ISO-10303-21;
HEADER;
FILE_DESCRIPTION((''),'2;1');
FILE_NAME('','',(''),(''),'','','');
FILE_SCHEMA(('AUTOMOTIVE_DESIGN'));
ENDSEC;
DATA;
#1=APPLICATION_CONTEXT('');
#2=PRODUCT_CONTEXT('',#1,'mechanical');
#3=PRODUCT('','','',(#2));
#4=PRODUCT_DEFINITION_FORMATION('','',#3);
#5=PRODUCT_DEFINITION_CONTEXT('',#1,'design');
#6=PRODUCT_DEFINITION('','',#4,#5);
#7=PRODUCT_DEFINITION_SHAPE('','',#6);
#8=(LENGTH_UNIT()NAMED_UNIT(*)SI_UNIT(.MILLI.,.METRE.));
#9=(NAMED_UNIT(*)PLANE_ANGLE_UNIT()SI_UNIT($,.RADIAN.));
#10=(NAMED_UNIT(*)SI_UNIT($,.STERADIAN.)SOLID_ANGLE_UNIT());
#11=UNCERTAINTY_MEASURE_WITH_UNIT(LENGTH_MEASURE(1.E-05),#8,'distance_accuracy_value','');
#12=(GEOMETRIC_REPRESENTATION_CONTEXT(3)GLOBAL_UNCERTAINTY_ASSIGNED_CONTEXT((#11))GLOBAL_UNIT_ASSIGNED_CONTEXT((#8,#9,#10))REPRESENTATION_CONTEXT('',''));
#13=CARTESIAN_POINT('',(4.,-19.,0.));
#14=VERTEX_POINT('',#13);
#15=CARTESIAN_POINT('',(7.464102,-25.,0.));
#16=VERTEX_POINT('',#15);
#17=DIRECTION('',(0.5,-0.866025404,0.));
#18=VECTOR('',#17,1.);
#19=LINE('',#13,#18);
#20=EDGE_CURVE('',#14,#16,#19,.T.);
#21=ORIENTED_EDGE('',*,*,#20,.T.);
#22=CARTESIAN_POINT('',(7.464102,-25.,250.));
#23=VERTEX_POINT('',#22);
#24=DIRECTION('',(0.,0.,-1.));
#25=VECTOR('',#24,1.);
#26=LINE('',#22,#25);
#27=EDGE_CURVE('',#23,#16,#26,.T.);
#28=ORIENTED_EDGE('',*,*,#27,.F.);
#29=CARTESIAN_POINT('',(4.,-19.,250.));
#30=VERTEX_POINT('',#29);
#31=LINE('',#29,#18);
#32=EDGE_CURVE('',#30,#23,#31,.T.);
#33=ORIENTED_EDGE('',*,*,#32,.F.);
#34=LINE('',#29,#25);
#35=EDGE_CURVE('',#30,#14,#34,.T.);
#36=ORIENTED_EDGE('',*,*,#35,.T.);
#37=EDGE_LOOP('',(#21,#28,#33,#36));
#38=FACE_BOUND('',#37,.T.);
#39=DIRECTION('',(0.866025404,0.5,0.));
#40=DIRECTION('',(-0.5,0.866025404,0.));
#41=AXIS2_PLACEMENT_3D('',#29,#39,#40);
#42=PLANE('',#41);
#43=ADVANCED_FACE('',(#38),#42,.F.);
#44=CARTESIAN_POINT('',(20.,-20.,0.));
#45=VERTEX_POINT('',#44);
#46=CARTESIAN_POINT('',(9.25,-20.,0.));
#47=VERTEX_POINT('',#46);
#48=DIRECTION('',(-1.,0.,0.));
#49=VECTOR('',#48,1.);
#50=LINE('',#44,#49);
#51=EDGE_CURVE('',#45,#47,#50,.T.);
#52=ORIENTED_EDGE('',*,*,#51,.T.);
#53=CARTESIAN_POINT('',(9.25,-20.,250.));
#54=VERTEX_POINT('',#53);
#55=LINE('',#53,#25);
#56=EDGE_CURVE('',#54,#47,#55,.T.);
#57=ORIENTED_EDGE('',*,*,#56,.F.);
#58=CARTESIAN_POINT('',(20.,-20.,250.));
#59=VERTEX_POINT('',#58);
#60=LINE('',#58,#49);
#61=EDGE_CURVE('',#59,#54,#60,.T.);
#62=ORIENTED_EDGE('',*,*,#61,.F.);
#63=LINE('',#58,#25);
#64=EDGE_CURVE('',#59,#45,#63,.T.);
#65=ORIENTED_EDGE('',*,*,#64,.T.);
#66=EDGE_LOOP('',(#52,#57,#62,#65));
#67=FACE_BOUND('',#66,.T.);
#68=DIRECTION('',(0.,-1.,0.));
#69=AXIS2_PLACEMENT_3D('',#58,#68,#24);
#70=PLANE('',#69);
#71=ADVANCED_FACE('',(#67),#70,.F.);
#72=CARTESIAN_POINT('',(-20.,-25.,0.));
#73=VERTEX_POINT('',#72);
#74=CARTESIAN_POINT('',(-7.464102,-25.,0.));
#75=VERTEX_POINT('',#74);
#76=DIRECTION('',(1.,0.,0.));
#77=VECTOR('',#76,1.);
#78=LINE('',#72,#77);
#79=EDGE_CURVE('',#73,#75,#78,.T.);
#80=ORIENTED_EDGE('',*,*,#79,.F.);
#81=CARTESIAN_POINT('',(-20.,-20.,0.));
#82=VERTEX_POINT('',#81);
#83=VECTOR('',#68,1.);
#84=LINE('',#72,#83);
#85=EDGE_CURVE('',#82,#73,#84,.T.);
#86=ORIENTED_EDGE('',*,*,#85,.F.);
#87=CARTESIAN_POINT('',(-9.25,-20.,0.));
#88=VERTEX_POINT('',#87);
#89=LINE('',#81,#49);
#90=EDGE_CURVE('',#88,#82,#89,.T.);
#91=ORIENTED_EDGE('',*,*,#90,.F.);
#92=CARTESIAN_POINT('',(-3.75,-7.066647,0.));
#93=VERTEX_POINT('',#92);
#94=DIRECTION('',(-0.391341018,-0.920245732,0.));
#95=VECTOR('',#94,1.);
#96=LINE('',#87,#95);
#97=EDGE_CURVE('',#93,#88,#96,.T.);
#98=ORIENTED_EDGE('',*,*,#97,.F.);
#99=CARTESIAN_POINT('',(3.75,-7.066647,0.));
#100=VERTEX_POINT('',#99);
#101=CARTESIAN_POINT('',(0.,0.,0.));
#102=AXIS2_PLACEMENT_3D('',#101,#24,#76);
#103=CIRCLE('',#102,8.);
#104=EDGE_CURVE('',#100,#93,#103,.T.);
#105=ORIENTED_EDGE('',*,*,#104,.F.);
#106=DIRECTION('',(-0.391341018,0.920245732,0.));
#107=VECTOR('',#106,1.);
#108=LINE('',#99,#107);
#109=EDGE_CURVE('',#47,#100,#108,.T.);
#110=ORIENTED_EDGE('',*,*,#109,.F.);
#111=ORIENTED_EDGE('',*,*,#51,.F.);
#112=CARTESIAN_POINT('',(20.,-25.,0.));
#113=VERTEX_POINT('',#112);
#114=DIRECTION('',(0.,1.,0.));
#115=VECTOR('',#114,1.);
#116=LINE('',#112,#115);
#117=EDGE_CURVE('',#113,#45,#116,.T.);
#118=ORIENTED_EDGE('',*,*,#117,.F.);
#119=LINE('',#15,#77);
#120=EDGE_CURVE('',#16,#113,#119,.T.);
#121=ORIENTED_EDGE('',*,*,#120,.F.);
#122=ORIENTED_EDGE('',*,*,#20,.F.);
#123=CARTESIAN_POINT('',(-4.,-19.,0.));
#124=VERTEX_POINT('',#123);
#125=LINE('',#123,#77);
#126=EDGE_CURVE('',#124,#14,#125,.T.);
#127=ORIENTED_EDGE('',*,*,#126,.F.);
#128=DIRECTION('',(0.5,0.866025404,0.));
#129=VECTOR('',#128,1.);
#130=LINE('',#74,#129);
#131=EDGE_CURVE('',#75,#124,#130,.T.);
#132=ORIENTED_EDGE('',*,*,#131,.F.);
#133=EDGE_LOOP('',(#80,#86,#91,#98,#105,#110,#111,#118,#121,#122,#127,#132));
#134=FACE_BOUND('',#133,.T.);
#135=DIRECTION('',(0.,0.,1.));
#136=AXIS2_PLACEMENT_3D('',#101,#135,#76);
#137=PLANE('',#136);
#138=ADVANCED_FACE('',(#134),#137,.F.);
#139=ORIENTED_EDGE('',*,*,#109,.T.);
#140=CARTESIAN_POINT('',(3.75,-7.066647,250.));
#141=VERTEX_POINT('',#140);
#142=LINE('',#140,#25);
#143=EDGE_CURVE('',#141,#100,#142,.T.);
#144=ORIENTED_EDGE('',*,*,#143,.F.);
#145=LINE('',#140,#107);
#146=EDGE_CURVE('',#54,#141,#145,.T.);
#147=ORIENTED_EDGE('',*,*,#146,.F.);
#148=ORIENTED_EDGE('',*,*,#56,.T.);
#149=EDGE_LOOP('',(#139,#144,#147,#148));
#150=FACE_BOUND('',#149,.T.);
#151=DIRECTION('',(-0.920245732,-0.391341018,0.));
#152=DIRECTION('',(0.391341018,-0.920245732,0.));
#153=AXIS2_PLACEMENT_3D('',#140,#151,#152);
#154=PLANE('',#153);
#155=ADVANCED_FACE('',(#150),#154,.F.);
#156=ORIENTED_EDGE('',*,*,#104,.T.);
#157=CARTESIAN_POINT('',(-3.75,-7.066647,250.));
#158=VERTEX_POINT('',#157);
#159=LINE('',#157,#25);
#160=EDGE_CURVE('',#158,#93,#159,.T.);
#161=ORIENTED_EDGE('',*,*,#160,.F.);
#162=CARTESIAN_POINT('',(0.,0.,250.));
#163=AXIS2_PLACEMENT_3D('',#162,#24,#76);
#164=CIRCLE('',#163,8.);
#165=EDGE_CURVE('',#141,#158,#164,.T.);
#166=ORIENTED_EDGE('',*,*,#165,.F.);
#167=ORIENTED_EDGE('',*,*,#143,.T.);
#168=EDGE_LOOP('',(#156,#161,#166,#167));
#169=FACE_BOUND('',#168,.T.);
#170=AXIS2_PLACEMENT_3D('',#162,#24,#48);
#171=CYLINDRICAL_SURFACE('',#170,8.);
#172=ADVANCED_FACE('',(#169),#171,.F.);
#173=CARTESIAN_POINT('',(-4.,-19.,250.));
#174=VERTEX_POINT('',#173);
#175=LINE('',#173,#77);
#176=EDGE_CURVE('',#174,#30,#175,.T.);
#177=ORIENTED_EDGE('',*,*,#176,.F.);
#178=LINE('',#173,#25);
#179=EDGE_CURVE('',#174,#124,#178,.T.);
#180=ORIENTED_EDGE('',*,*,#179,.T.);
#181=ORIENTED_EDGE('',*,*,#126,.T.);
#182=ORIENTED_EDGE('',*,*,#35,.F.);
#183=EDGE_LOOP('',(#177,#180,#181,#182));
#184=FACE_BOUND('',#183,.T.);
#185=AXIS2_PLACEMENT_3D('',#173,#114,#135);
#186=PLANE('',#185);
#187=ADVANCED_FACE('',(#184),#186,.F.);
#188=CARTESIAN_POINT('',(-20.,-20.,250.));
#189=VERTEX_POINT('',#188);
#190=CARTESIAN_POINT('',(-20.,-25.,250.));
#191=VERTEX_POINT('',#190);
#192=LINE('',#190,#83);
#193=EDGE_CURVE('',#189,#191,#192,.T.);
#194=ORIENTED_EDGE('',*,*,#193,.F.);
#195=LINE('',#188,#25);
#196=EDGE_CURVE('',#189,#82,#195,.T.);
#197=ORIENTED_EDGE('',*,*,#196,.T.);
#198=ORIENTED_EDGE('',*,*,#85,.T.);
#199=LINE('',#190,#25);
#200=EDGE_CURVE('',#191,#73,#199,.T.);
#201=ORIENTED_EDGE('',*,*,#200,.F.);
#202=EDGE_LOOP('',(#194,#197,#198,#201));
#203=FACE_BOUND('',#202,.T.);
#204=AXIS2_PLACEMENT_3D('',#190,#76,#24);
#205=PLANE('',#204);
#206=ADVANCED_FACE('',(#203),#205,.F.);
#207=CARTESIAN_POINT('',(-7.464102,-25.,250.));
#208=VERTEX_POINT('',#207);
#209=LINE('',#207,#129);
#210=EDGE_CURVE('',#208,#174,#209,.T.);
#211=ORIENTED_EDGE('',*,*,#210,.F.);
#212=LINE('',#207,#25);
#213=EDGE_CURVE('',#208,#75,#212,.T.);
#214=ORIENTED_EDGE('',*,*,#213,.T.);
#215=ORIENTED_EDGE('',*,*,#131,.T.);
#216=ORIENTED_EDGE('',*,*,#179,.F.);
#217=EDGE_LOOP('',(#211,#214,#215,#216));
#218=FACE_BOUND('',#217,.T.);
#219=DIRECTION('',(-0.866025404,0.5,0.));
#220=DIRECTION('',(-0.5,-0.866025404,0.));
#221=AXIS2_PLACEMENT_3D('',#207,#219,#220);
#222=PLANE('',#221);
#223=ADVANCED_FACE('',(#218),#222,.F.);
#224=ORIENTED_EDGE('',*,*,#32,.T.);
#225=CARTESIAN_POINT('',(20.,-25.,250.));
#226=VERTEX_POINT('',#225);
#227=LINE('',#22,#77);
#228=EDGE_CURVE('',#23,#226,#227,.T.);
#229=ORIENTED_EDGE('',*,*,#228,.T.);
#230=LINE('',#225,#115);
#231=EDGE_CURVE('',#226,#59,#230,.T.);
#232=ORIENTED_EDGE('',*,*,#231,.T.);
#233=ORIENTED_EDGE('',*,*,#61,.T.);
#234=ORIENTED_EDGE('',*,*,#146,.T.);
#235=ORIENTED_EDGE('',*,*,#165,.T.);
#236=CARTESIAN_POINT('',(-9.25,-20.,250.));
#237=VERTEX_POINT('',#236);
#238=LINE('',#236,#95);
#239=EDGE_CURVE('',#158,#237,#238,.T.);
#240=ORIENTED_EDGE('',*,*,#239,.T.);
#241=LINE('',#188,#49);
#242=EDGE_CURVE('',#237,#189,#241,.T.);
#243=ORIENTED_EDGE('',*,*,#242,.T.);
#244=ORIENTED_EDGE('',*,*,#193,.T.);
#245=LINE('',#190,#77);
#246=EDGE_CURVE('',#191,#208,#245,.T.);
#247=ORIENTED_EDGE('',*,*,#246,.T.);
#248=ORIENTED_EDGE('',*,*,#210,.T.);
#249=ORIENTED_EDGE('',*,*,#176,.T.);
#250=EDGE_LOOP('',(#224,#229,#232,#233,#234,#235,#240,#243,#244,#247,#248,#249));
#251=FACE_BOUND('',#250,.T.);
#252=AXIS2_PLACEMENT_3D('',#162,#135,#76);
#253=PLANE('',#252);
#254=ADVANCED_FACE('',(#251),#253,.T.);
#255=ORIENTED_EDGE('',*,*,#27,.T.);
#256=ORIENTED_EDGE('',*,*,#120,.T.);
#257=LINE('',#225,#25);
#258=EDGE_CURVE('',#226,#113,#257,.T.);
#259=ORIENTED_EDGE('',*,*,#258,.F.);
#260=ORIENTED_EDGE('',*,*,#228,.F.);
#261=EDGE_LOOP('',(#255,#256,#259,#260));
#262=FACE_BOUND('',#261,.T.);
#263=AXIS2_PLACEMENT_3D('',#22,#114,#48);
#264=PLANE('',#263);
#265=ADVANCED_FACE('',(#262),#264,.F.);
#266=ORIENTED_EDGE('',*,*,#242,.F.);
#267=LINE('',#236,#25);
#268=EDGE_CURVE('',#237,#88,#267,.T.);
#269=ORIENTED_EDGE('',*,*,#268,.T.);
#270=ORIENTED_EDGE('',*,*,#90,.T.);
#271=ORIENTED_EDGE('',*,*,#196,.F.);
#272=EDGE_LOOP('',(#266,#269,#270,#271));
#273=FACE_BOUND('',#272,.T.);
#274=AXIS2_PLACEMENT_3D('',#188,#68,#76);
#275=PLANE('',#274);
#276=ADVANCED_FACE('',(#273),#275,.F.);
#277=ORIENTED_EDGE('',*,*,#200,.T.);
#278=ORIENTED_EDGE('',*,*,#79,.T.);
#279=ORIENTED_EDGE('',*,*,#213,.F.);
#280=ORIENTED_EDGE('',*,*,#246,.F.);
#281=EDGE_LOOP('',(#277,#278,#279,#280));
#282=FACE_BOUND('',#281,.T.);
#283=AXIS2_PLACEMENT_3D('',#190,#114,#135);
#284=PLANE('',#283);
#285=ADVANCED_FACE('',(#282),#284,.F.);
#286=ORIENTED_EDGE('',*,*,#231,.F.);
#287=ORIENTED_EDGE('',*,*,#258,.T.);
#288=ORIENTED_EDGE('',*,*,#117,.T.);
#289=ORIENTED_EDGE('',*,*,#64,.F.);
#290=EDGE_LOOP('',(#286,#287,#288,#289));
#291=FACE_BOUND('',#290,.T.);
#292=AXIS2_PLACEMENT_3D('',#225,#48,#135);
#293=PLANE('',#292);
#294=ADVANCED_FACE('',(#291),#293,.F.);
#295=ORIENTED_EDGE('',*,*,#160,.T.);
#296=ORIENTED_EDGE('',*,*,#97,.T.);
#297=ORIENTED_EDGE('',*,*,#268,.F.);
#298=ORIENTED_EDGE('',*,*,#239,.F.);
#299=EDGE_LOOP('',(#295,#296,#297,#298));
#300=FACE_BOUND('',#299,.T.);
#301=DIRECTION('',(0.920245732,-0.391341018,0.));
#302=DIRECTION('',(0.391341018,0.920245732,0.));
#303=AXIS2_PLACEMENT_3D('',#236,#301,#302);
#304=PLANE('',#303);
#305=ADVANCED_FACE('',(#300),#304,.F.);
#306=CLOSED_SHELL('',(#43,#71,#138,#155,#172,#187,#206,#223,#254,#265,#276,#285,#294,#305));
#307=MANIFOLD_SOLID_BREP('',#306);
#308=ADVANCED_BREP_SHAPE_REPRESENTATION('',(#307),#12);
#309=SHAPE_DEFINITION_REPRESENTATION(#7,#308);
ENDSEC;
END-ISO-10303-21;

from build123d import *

# Parameters (mm, degrees)
BOSS_EXTRUDE1_DEPTH = 250


with BuildPart() as part:
    # Sketch1 → Boss-Extrude1 (new body)
    with BuildSketch(Plane.XY):
        with BuildLine():
            Line((-20, -25), (-7.464101615, -25))
            Line((-7.464101615, -25), (-4, -19))
            Line((-4, -19), (4, -19))
            Line((4, -19), (7.464101615, -25))
            Line((7.464101615, -25), (20, -25))
            Line((20, -25), (20, -20))
            Line((20, -20), (9.25, -20))
            Line((9.25, -20), (3.75, -7.066647013))
            ThreePointArc((3.75, -7.066647013), (0, -8), (-3.75, -7.066647013))
            Line((-3.75, -7.066647013), (-9.25, -20))
            Line((-9.25, -20), (-20, -20))
            Line((-20, -20), (-20, -25))
        make_face()
    extrude(amount=BOSS_EXTRUDE1_DEPTH)


solid = part.part
